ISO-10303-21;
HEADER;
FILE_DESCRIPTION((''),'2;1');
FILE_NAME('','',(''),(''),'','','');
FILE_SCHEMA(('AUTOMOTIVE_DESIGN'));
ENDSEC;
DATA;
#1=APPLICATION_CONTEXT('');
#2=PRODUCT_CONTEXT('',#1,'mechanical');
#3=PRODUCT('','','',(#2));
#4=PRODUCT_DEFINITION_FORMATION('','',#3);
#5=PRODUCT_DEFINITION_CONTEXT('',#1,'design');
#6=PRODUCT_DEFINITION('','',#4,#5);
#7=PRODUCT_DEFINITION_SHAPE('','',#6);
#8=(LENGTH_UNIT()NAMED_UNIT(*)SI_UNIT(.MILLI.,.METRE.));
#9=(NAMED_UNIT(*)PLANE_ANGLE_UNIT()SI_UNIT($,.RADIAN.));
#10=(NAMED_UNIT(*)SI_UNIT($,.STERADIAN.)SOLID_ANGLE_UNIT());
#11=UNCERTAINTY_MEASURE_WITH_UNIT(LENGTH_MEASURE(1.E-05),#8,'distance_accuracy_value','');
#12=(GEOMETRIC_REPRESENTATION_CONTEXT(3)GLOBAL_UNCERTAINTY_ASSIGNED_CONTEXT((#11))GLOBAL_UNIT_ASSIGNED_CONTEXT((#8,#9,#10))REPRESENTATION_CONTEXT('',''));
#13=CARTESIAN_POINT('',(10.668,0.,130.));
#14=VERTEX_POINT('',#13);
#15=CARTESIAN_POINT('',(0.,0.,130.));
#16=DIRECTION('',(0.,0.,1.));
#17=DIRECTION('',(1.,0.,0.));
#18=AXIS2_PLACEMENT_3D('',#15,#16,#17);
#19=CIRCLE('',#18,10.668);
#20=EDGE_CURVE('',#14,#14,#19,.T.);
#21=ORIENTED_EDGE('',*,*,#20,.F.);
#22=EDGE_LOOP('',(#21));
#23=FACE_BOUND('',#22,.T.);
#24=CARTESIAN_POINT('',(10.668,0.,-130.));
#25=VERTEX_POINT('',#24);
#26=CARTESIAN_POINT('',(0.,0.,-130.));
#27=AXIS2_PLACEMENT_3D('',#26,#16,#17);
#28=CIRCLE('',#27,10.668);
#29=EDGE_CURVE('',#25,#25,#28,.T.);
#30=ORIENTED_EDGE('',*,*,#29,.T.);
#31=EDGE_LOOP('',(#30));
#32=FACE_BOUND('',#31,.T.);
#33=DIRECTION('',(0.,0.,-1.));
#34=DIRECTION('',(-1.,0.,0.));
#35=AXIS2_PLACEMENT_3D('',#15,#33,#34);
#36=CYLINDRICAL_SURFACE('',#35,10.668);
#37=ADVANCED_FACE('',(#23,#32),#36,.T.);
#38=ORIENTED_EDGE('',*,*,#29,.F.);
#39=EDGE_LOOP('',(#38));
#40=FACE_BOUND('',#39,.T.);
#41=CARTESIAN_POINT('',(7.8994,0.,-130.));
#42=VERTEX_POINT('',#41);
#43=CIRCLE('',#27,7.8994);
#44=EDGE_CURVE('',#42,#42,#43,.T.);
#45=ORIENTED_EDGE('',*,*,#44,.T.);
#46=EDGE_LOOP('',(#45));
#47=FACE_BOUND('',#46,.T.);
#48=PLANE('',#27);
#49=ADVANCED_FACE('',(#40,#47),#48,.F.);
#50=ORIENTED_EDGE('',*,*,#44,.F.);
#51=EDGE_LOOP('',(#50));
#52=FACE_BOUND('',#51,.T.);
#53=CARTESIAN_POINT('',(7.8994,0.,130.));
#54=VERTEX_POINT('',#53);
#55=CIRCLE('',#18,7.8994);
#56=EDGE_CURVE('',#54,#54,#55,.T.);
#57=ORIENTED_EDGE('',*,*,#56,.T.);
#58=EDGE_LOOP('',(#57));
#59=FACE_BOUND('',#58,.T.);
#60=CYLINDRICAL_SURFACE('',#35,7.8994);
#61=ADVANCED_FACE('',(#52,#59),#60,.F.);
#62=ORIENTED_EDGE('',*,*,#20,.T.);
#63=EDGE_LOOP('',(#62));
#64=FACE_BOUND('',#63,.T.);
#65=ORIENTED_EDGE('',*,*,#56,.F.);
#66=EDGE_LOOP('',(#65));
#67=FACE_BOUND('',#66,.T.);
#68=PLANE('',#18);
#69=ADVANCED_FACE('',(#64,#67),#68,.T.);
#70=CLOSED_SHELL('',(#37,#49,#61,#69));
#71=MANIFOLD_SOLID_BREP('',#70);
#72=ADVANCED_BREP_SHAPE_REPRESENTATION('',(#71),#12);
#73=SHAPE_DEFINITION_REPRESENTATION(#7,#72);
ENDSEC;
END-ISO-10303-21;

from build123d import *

# Parameters (mm, degrees)
SKETCH1_R           = 10.668
SKETCH1_R_2         = 7.8994
EXTRUDE_THIN1_DEPTH = 130


with BuildPart() as part:
    # Sketch1 → Extrude-Thin1 (new, symmetric)
    with BuildSketch(Plane.XY):
        Circle(SKETCH1_R)
        Circle(SKETCH1_R_2, mode=Mode.SUBTRACT)
    extrude(amount=EXTRUDE_THIN1_DEPTH, both=True)


solid = part.part
